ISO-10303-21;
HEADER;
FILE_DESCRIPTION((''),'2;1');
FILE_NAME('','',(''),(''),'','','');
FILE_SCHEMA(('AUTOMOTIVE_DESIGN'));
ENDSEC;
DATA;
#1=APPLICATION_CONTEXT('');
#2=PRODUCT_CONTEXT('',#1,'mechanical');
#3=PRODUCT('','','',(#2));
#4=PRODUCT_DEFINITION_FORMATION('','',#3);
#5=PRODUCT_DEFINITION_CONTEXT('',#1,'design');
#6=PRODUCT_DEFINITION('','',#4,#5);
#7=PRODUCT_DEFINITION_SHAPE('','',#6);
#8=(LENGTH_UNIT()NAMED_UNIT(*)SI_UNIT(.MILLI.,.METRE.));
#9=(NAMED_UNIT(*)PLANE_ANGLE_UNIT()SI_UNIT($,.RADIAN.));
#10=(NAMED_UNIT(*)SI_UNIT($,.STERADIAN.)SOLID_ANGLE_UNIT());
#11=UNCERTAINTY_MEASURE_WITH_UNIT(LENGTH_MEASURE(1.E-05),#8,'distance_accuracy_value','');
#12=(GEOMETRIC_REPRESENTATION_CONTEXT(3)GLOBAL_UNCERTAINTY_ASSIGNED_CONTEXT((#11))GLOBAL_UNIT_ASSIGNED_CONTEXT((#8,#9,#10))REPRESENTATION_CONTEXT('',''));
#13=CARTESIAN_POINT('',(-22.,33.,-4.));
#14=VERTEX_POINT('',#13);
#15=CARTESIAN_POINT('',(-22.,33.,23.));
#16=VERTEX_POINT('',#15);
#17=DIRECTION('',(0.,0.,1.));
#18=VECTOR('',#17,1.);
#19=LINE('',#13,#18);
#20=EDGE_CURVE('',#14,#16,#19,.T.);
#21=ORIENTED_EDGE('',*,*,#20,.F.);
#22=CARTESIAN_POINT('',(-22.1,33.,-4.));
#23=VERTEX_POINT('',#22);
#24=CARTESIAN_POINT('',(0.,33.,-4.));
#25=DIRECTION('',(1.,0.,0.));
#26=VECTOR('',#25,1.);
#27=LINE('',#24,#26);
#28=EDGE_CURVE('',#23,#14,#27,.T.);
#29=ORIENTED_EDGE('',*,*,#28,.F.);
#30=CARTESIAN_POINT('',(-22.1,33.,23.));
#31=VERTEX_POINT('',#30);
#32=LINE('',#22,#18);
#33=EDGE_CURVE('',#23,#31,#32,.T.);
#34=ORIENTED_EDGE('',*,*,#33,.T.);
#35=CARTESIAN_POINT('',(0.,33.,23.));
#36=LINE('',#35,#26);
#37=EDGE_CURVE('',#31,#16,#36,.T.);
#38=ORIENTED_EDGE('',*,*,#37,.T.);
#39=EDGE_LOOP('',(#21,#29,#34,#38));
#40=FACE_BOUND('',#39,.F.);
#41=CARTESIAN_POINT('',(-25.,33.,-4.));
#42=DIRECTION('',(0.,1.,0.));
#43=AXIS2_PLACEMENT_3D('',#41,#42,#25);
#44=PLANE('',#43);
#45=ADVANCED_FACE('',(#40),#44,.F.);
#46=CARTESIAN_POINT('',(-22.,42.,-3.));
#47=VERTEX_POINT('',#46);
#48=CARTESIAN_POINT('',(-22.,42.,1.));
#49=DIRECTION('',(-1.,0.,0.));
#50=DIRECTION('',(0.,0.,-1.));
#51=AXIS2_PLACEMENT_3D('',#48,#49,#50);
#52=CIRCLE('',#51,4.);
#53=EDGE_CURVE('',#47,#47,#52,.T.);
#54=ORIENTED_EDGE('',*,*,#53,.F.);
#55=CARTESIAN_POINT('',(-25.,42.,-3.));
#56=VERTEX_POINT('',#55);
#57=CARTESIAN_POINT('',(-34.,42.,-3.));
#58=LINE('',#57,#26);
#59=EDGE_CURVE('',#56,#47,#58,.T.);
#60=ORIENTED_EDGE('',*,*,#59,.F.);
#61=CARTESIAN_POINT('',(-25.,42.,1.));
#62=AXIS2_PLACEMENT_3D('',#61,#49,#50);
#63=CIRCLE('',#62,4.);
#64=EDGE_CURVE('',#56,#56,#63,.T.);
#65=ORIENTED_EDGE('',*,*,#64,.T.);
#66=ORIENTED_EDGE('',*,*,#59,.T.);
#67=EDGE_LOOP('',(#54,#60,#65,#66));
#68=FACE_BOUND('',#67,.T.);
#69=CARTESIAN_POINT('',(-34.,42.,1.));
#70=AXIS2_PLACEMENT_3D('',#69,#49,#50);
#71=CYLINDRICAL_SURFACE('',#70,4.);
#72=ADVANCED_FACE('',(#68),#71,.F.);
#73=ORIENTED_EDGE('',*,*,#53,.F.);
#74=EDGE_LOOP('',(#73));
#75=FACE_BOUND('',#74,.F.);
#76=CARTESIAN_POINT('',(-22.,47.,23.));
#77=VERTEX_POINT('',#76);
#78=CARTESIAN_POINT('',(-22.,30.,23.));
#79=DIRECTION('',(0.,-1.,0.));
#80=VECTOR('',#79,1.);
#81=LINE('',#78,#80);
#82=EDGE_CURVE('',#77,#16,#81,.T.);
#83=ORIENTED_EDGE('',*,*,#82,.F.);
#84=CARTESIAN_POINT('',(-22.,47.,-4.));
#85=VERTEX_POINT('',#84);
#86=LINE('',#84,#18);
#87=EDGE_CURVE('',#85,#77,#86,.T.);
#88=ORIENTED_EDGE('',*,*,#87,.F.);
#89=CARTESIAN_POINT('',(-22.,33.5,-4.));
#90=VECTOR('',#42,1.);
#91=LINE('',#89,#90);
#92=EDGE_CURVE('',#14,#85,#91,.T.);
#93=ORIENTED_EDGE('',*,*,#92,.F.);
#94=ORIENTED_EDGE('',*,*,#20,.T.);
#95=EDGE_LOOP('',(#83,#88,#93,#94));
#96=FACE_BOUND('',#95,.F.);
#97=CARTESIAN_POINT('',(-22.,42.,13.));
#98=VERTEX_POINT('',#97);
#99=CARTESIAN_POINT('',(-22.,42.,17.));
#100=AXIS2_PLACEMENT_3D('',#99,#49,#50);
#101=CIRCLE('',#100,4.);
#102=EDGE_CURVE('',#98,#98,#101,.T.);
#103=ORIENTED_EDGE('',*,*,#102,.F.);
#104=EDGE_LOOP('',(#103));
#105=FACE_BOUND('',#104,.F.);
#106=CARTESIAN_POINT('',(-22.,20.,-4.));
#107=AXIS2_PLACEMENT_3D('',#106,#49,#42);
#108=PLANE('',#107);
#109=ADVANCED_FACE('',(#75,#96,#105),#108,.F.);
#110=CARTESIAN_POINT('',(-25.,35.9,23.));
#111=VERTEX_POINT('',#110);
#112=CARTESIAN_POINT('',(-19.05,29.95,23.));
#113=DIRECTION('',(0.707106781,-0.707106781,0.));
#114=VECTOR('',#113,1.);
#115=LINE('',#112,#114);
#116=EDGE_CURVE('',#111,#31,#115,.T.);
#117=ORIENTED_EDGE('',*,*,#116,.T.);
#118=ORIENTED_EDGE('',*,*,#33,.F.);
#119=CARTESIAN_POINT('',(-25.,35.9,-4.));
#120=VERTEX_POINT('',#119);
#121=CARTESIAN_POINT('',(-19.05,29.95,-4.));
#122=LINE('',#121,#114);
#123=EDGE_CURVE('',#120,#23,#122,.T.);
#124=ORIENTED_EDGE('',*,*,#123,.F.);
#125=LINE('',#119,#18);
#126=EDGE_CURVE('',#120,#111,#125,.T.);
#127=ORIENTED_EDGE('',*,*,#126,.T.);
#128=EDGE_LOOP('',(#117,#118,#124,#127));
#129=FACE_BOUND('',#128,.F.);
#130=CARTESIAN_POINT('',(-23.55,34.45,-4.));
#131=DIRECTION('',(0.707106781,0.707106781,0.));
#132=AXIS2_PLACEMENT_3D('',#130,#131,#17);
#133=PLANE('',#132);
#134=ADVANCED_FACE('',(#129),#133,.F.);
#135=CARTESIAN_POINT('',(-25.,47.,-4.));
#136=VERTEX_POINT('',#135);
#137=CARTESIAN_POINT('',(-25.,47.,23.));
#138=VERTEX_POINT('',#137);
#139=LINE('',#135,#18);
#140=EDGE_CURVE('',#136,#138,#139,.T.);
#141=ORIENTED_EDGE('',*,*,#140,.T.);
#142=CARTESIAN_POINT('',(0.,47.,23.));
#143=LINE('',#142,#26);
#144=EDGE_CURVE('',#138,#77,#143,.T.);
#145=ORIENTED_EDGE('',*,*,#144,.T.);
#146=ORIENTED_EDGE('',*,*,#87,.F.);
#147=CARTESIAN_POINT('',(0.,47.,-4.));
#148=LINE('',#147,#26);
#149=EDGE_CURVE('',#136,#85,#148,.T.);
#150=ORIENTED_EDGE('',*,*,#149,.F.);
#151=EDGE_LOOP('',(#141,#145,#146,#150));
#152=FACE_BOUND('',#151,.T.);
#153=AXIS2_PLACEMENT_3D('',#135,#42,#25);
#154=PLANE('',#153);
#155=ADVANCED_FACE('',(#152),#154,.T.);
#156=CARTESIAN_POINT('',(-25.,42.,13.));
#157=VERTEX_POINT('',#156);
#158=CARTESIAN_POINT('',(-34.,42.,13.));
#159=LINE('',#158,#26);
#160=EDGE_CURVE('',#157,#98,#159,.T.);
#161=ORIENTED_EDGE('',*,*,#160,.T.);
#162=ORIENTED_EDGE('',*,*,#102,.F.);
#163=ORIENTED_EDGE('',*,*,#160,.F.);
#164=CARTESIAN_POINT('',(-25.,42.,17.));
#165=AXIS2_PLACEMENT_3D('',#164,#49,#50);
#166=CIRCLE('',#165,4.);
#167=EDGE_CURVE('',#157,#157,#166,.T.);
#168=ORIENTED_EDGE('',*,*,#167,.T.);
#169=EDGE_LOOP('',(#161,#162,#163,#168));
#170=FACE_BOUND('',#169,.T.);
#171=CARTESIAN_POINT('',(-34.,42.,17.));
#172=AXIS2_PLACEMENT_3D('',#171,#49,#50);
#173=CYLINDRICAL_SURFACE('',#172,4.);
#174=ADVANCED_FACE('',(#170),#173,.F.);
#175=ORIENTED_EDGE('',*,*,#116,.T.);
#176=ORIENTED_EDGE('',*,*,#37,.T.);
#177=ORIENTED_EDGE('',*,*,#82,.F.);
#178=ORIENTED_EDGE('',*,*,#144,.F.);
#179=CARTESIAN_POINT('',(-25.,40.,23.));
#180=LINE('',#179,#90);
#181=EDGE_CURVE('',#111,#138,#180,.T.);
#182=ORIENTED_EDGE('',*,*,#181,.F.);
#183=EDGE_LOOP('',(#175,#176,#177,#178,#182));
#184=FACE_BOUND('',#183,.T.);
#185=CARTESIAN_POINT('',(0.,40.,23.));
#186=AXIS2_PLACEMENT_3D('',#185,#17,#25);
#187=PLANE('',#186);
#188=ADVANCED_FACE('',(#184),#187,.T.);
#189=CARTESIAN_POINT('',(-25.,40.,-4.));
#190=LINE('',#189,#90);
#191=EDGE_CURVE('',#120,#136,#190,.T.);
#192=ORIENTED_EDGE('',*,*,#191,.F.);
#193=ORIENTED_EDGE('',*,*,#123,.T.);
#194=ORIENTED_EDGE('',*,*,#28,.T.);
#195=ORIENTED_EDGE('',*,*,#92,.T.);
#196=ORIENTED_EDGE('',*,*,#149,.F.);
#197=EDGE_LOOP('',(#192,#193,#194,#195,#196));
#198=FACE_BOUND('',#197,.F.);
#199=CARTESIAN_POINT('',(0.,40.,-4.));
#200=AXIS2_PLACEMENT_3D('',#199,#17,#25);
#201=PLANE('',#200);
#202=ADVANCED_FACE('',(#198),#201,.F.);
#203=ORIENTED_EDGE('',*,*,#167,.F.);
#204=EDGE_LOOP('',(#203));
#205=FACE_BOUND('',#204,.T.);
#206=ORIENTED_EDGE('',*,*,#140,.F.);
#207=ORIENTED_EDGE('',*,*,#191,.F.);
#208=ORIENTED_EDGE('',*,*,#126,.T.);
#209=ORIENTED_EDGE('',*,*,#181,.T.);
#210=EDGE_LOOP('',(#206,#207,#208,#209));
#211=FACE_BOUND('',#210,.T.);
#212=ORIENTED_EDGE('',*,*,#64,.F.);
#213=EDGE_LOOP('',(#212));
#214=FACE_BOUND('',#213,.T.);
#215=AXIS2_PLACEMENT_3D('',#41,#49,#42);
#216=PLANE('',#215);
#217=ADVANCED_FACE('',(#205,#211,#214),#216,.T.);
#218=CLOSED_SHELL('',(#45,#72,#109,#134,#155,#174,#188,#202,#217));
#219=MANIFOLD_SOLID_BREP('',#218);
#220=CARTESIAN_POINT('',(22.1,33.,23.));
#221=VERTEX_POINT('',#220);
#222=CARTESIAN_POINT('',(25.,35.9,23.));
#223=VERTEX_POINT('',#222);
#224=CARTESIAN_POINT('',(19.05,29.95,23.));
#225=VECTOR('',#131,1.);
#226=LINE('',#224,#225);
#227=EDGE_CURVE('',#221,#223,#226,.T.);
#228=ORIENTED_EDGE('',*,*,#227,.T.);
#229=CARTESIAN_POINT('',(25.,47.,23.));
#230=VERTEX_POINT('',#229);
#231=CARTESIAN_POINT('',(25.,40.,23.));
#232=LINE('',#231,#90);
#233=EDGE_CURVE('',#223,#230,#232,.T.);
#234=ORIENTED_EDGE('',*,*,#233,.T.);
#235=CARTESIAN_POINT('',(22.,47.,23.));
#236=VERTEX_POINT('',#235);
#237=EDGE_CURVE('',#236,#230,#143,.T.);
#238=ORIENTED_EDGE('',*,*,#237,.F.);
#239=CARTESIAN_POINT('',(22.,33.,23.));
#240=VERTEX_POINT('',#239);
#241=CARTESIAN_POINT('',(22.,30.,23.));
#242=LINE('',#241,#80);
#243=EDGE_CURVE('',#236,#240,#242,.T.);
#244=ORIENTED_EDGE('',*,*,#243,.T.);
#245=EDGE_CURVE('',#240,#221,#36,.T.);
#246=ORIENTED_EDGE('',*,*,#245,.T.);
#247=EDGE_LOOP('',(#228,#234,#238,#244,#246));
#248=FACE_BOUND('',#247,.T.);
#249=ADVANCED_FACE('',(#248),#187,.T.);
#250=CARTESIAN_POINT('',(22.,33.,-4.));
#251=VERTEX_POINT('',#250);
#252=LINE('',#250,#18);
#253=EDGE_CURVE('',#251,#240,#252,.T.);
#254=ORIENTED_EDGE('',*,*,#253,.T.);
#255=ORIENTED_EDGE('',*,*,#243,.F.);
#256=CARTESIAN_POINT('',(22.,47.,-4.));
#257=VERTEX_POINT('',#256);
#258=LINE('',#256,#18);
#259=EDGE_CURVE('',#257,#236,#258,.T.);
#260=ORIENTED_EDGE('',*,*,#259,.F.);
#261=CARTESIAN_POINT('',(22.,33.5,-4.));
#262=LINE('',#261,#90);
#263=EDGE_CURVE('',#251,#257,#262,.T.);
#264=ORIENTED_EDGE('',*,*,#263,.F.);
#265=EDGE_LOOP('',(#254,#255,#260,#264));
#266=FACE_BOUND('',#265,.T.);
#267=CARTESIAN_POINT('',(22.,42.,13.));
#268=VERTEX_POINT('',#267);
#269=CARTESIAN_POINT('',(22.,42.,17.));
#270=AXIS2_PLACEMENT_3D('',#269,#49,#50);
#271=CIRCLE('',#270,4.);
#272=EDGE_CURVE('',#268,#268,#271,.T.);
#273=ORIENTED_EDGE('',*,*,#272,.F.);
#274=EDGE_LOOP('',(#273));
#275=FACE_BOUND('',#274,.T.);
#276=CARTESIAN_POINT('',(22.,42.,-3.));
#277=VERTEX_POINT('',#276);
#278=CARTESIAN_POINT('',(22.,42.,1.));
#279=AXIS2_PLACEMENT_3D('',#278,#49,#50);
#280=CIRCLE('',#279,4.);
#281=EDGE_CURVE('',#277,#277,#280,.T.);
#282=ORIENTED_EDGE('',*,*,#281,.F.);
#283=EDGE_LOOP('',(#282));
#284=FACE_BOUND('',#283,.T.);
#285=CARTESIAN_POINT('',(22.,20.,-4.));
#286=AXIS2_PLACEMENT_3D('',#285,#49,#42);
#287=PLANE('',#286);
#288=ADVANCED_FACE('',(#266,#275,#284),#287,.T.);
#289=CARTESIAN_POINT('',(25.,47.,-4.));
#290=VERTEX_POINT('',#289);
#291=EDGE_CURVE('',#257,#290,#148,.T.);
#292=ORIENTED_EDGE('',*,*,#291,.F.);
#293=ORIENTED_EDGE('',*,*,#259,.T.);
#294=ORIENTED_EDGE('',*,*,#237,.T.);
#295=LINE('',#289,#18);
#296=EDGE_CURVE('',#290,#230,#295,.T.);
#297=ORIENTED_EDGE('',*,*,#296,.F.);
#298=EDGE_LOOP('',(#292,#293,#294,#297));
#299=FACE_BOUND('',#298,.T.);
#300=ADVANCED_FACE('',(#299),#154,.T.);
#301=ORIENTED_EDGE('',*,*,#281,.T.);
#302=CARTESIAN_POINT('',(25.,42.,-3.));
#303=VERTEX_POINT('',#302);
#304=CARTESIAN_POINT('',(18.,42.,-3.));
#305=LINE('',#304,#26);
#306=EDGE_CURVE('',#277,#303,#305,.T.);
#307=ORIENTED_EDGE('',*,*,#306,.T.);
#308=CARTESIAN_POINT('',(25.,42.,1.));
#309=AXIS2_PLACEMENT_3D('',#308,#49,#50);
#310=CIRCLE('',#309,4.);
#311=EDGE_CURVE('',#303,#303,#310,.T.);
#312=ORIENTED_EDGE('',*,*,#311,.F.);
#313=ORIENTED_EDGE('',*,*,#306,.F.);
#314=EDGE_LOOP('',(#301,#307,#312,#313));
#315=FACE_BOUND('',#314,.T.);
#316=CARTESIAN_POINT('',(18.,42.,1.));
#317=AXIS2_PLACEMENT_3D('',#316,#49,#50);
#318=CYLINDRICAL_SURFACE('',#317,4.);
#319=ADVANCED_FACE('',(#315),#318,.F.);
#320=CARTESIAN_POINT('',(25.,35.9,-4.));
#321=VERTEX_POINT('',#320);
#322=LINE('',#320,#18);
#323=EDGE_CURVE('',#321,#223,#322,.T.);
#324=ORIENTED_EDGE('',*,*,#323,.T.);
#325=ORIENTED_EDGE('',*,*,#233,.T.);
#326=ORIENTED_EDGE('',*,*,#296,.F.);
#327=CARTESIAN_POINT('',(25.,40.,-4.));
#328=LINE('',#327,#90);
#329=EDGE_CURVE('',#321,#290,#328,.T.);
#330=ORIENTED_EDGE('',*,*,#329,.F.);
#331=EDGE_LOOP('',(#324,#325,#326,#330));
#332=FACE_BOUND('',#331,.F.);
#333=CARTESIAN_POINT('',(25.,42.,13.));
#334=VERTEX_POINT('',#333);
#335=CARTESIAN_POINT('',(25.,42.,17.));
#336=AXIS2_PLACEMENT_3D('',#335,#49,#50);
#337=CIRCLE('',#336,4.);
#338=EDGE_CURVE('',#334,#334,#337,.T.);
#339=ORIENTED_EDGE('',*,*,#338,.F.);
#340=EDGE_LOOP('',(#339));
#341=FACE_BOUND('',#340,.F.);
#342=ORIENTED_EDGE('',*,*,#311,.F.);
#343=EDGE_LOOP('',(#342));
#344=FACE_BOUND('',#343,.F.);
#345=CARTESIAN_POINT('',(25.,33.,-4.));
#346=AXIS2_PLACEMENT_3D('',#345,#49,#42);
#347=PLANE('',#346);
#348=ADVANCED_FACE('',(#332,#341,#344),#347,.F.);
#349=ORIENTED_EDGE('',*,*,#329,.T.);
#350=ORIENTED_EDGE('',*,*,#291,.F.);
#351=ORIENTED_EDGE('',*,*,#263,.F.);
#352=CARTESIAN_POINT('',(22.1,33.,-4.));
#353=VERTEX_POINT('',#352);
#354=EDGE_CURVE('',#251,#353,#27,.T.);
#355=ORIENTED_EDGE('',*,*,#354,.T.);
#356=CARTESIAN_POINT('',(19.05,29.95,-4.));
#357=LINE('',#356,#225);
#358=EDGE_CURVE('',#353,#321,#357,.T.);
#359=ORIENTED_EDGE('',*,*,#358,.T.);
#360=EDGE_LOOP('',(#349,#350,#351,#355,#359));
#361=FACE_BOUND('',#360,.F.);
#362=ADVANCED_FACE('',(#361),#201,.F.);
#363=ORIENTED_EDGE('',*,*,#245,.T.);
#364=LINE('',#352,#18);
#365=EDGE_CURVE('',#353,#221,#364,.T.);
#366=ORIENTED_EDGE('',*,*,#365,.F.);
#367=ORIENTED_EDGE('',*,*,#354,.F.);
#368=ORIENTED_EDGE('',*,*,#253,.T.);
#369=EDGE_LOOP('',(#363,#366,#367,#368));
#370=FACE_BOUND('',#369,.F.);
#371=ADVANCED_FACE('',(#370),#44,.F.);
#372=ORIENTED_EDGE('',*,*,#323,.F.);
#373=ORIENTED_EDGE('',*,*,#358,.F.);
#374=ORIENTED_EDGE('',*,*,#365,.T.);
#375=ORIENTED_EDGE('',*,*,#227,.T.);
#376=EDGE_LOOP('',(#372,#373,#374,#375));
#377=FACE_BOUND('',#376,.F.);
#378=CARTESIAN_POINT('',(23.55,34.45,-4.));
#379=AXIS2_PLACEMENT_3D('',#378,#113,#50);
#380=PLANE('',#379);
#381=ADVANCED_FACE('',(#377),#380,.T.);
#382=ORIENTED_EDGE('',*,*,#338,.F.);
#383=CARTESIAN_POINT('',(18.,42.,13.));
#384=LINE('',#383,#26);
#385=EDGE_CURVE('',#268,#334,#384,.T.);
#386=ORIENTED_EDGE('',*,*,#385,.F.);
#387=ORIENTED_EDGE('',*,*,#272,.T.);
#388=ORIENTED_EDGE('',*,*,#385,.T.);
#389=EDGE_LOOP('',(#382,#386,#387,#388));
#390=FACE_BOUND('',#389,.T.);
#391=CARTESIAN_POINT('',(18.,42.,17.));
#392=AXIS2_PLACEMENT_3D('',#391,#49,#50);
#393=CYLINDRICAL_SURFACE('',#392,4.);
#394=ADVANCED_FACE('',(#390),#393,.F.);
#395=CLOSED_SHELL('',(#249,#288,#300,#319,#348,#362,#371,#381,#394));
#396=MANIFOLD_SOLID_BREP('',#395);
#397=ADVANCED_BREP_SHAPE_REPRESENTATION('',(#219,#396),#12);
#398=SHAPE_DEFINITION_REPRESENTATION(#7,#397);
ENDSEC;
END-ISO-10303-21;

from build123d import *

# Parameters (mm, degrees)
CYLINDER1823_R     = 4
CYLINDER1823_DEPTH = 16
CYLINDER1820_R     = 4
CYLINDER1820_DEPTH = 16
CYLINDER1822_R     = 4
CYLINDER1822_DEPTH = 16
CYLINDER1821_R     = 4
CYLINDER1821_DEPTH = 16
BOX719_W           = 44
BOX719_H           = 27
BOX719_DEPTH       = 28
BOX720_W           = 50
BOX720_H           = 14
BOX720_DEPTH       = 27
CHAMFER071_SIZE    = 2.9
CHAMFER072_SIZE    = 2.9


with BuildPart() as v_lec1823:
    # Cylinder1823 → Cylinder1823 (new body)
    with BuildSketch(Plane(origin=(18, 42, 17), x_dir=(0, 0, -1), z_dir=(1, 0, 0))):
        Circle(CYLINDER1823_R)
    extrude(amount=CYLINDER1823_DEPTH)


with BuildPart() as v_lec1820:
    # Cylinder1820 → Cylinder1820 (new body)
    with BuildSketch(Plane(origin=(18, 42, 1), x_dir=(0, 0, -1), z_dir=(1, 0, 0))):
        Circle(CYLINDER1820_R)
    extrude(amount=CYLINDER1820_DEPTH)


with BuildPart() as v_lec1822:
    # Cylinder1822 → Cylinder1822 (new body)
    with BuildSketch(Plane(origin=(-34, 42, 17), x_dir=(0, 0, -1), z_dir=(1, 0, 0))):
        Circle(CYLINDER1822_R)
    extrude(amount=CYLINDER1822_DEPTH)


with BuildPart() as compound899:
    # Cylinder1821 → Cylinder1821 (new body)
    with BuildSketch(Plane(origin=(-34, 42, 1), x_dir=(0, 0, -1), z_dir=(1, 0, 0))):
        Circle(CYLINDER1821_R)
    extrude(amount=CYLINDER1821_DEPTH)

    # Compound899: union Válec1823, Válec1820, Válec1822
    add(v_lec1823.part)
    add(v_lec1820.part)
    add(v_lec1822.part)


with BuildPart() as krychle719:
    # Box719 → Box719 (new body)
    with BuildSketch(Plane(origin=(-22, 20, -4), x_dir=(1, 0, 0), z_dir=(0, 0, 1))):
        with Locations((22, 13.5)):
            Rectangle(BOX719_W, BOX719_H)
    extrude(amount=BOX719_DEPTH)


with BuildPart() as chamfer072:
    # Box720 → Box720 (new body)
    with BuildSketch(Plane(origin=(-25, 33, -4), x_dir=(1, 0, 0), z_dir=(0, 0, 1))):
        with Locations((25, 7)):
            Rectangle(BOX720_W, BOX720_H)
    extrude(amount=BOX720_DEPTH)

    # Cut533: cut Krychle719
    add(krychle719.part, mode=Mode.SUBTRACT)

    # Cut534: cut Compound899
    add(compound899.part, mode=Mode.SUBTRACT)

    # Chamfer071
    chamfer071_edges = [chamfer072.edges().sort_by_distance(p)[0] for p in [
        (25, 33, 9.5),
    ]]
    chamfer(chamfer071_edges, length=CHAMFER071_SIZE)

    # Chamfer072
    chamfer072_edges = [chamfer072.edges().sort_by_distance(p)[0] for p in [
        (-25, 33, 9.5),
    ]]
    chamfer(chamfer072_edges, length=CHAMFER072_SIZE)


solid = chamfer072.part
